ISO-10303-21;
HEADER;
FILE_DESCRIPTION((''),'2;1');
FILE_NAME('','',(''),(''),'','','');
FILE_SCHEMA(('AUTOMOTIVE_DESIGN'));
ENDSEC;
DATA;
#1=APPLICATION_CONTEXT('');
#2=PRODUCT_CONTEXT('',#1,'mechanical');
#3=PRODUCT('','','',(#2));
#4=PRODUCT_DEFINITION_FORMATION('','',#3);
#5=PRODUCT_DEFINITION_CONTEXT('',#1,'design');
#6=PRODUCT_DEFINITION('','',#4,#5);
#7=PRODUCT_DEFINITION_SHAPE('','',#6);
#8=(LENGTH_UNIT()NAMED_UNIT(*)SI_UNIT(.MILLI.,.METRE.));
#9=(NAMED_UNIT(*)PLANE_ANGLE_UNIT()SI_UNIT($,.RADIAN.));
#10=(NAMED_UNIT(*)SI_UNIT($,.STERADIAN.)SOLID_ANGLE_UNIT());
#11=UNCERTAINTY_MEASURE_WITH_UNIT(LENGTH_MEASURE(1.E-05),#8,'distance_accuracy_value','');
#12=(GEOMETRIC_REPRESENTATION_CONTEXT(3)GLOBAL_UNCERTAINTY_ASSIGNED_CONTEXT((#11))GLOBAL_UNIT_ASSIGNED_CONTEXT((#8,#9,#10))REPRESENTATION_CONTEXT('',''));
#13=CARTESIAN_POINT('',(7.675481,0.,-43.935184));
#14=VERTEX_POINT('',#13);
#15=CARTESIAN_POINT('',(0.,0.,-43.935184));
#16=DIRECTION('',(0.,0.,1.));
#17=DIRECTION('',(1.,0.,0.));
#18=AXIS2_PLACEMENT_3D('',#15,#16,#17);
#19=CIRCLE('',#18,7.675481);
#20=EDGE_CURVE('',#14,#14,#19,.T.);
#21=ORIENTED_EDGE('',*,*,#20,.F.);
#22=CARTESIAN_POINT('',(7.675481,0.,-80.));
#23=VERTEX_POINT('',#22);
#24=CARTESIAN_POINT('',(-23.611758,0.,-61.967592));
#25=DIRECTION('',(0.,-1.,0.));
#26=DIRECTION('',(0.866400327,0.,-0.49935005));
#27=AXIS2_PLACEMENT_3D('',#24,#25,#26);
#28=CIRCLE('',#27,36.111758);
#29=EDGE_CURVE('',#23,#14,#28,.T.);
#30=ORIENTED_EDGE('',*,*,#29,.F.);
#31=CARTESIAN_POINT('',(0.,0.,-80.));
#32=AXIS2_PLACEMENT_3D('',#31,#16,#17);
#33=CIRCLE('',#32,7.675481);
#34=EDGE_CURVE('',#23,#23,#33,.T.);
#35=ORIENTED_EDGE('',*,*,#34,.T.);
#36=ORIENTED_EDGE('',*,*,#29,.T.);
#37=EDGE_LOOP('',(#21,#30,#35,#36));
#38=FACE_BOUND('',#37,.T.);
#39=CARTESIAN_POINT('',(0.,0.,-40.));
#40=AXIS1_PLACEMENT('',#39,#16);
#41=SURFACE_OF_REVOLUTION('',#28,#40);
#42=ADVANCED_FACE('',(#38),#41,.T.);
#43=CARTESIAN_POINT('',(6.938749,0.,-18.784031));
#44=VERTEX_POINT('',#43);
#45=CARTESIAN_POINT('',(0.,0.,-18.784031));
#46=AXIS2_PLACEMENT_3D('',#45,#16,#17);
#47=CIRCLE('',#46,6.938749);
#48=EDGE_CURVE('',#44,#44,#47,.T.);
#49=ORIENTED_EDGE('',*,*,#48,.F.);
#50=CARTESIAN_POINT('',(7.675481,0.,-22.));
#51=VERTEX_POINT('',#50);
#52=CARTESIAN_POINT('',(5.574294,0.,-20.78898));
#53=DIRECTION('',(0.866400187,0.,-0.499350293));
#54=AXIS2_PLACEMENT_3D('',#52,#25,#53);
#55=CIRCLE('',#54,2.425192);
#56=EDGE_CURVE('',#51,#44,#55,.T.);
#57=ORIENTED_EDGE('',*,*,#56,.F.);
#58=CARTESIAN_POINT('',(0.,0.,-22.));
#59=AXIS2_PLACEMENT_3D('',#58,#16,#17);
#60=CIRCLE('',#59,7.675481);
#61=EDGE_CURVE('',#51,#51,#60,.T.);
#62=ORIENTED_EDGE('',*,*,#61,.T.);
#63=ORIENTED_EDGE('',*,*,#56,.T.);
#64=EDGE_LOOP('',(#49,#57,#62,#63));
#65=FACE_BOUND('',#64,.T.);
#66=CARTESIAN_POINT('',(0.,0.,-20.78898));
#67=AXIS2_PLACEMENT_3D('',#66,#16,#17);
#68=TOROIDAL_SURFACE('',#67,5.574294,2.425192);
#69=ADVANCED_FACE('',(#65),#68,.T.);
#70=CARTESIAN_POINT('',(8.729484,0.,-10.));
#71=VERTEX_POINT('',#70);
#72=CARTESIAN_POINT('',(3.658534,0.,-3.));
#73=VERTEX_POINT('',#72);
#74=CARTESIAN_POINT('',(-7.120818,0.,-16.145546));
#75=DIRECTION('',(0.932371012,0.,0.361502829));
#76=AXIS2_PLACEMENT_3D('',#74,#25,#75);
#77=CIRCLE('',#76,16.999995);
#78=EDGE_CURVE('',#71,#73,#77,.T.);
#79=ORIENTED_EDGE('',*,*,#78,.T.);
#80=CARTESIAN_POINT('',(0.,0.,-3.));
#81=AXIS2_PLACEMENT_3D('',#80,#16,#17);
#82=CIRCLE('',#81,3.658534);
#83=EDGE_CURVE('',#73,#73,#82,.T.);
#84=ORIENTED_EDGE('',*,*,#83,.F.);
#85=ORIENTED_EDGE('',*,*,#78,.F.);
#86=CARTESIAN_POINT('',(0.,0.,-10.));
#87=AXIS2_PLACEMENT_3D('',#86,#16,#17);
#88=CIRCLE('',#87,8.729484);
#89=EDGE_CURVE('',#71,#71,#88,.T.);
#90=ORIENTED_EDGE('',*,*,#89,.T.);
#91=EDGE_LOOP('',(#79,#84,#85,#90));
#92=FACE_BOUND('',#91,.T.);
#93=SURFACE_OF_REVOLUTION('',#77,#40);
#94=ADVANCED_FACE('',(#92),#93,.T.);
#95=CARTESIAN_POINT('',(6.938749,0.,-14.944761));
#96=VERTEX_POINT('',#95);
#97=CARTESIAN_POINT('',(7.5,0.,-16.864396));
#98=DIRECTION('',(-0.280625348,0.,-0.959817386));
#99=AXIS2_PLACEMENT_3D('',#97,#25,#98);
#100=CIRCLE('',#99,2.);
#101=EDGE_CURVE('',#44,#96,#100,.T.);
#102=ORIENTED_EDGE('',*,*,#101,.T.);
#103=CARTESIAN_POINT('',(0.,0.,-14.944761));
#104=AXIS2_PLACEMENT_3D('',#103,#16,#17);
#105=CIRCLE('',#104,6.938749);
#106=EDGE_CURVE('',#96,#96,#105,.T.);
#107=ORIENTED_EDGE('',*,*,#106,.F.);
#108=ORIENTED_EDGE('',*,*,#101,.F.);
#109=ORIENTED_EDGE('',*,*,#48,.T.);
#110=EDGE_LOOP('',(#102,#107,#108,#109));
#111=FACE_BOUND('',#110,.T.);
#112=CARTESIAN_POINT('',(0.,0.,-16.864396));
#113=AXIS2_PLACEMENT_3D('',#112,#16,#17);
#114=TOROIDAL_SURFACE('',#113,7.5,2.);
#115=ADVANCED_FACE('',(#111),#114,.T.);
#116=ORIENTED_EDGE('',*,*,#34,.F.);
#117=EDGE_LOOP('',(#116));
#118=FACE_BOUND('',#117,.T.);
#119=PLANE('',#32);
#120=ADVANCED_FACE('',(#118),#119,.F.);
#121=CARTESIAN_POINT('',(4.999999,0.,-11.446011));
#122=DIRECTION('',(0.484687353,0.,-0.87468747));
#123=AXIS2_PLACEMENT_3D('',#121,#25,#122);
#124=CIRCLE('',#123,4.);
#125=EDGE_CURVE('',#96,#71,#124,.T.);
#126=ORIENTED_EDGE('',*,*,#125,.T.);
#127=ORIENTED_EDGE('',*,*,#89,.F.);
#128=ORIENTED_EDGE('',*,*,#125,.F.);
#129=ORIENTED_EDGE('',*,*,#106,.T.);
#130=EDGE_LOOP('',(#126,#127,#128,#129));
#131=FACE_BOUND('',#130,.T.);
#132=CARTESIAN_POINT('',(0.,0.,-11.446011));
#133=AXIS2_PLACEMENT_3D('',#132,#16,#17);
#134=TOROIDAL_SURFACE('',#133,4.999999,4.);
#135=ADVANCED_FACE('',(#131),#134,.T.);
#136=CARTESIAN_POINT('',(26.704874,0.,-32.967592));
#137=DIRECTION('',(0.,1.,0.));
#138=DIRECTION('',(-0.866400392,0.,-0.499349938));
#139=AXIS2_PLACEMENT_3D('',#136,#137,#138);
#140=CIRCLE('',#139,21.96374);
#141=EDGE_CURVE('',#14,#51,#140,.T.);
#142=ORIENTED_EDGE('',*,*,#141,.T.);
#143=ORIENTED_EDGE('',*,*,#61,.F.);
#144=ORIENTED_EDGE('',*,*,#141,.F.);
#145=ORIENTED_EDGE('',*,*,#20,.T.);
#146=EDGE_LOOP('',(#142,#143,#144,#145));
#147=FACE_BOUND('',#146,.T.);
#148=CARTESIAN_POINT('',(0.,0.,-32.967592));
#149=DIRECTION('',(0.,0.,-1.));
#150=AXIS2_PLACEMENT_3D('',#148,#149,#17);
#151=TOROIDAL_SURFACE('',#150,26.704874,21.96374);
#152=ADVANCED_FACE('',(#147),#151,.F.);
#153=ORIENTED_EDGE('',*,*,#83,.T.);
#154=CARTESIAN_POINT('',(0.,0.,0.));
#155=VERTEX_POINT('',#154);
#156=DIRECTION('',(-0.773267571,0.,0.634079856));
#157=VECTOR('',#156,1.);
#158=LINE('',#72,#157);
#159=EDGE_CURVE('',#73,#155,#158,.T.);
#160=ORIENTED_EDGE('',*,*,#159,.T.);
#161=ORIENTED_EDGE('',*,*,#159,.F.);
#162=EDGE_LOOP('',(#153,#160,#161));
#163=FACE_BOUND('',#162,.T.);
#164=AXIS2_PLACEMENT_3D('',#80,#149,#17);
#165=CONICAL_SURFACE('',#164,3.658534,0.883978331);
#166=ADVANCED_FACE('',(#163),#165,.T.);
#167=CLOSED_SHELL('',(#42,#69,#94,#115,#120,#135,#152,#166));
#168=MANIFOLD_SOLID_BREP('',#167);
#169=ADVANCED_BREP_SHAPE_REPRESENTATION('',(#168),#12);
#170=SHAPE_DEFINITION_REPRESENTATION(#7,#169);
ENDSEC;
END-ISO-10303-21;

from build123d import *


with BuildPart() as f1:
    # F0 (on Front) → F1 (revolve)
    with BuildSketch(Plane.XZ):
        with BuildLine():
            ThreePointArc((7.675481, -22), (7.938249, -20.247432), (6.938749, -18.784031))
            ThreePointArc((6.938749, -18.784031), (9.5, -16.864396), (6.938749, -14.944761))
            ThreePointArc((6.938749, -14.944761), (8.760968, -12.808038), (8.729484, -10))
            ThreePointArc((8.729484, -10), (6.646339, -6.172322), (3.658534, -3))
            Line((3.658534, -3), (0, 0))
            Line((0, 0), (0, -80))
            Line((0, -80), (7.675481, -80))
            ThreePointArc((7.675481, -80), (12.5, -61.967592), (7.675481, -43.935184))
            ThreePointArc((7.675481, -43.935184), (4.741134, -32.967592), (7.675481, -22))
        make_face()
    revolve(axis=Axis((0, 0, -40), (0, 0, 1)))


solid = f1.part
